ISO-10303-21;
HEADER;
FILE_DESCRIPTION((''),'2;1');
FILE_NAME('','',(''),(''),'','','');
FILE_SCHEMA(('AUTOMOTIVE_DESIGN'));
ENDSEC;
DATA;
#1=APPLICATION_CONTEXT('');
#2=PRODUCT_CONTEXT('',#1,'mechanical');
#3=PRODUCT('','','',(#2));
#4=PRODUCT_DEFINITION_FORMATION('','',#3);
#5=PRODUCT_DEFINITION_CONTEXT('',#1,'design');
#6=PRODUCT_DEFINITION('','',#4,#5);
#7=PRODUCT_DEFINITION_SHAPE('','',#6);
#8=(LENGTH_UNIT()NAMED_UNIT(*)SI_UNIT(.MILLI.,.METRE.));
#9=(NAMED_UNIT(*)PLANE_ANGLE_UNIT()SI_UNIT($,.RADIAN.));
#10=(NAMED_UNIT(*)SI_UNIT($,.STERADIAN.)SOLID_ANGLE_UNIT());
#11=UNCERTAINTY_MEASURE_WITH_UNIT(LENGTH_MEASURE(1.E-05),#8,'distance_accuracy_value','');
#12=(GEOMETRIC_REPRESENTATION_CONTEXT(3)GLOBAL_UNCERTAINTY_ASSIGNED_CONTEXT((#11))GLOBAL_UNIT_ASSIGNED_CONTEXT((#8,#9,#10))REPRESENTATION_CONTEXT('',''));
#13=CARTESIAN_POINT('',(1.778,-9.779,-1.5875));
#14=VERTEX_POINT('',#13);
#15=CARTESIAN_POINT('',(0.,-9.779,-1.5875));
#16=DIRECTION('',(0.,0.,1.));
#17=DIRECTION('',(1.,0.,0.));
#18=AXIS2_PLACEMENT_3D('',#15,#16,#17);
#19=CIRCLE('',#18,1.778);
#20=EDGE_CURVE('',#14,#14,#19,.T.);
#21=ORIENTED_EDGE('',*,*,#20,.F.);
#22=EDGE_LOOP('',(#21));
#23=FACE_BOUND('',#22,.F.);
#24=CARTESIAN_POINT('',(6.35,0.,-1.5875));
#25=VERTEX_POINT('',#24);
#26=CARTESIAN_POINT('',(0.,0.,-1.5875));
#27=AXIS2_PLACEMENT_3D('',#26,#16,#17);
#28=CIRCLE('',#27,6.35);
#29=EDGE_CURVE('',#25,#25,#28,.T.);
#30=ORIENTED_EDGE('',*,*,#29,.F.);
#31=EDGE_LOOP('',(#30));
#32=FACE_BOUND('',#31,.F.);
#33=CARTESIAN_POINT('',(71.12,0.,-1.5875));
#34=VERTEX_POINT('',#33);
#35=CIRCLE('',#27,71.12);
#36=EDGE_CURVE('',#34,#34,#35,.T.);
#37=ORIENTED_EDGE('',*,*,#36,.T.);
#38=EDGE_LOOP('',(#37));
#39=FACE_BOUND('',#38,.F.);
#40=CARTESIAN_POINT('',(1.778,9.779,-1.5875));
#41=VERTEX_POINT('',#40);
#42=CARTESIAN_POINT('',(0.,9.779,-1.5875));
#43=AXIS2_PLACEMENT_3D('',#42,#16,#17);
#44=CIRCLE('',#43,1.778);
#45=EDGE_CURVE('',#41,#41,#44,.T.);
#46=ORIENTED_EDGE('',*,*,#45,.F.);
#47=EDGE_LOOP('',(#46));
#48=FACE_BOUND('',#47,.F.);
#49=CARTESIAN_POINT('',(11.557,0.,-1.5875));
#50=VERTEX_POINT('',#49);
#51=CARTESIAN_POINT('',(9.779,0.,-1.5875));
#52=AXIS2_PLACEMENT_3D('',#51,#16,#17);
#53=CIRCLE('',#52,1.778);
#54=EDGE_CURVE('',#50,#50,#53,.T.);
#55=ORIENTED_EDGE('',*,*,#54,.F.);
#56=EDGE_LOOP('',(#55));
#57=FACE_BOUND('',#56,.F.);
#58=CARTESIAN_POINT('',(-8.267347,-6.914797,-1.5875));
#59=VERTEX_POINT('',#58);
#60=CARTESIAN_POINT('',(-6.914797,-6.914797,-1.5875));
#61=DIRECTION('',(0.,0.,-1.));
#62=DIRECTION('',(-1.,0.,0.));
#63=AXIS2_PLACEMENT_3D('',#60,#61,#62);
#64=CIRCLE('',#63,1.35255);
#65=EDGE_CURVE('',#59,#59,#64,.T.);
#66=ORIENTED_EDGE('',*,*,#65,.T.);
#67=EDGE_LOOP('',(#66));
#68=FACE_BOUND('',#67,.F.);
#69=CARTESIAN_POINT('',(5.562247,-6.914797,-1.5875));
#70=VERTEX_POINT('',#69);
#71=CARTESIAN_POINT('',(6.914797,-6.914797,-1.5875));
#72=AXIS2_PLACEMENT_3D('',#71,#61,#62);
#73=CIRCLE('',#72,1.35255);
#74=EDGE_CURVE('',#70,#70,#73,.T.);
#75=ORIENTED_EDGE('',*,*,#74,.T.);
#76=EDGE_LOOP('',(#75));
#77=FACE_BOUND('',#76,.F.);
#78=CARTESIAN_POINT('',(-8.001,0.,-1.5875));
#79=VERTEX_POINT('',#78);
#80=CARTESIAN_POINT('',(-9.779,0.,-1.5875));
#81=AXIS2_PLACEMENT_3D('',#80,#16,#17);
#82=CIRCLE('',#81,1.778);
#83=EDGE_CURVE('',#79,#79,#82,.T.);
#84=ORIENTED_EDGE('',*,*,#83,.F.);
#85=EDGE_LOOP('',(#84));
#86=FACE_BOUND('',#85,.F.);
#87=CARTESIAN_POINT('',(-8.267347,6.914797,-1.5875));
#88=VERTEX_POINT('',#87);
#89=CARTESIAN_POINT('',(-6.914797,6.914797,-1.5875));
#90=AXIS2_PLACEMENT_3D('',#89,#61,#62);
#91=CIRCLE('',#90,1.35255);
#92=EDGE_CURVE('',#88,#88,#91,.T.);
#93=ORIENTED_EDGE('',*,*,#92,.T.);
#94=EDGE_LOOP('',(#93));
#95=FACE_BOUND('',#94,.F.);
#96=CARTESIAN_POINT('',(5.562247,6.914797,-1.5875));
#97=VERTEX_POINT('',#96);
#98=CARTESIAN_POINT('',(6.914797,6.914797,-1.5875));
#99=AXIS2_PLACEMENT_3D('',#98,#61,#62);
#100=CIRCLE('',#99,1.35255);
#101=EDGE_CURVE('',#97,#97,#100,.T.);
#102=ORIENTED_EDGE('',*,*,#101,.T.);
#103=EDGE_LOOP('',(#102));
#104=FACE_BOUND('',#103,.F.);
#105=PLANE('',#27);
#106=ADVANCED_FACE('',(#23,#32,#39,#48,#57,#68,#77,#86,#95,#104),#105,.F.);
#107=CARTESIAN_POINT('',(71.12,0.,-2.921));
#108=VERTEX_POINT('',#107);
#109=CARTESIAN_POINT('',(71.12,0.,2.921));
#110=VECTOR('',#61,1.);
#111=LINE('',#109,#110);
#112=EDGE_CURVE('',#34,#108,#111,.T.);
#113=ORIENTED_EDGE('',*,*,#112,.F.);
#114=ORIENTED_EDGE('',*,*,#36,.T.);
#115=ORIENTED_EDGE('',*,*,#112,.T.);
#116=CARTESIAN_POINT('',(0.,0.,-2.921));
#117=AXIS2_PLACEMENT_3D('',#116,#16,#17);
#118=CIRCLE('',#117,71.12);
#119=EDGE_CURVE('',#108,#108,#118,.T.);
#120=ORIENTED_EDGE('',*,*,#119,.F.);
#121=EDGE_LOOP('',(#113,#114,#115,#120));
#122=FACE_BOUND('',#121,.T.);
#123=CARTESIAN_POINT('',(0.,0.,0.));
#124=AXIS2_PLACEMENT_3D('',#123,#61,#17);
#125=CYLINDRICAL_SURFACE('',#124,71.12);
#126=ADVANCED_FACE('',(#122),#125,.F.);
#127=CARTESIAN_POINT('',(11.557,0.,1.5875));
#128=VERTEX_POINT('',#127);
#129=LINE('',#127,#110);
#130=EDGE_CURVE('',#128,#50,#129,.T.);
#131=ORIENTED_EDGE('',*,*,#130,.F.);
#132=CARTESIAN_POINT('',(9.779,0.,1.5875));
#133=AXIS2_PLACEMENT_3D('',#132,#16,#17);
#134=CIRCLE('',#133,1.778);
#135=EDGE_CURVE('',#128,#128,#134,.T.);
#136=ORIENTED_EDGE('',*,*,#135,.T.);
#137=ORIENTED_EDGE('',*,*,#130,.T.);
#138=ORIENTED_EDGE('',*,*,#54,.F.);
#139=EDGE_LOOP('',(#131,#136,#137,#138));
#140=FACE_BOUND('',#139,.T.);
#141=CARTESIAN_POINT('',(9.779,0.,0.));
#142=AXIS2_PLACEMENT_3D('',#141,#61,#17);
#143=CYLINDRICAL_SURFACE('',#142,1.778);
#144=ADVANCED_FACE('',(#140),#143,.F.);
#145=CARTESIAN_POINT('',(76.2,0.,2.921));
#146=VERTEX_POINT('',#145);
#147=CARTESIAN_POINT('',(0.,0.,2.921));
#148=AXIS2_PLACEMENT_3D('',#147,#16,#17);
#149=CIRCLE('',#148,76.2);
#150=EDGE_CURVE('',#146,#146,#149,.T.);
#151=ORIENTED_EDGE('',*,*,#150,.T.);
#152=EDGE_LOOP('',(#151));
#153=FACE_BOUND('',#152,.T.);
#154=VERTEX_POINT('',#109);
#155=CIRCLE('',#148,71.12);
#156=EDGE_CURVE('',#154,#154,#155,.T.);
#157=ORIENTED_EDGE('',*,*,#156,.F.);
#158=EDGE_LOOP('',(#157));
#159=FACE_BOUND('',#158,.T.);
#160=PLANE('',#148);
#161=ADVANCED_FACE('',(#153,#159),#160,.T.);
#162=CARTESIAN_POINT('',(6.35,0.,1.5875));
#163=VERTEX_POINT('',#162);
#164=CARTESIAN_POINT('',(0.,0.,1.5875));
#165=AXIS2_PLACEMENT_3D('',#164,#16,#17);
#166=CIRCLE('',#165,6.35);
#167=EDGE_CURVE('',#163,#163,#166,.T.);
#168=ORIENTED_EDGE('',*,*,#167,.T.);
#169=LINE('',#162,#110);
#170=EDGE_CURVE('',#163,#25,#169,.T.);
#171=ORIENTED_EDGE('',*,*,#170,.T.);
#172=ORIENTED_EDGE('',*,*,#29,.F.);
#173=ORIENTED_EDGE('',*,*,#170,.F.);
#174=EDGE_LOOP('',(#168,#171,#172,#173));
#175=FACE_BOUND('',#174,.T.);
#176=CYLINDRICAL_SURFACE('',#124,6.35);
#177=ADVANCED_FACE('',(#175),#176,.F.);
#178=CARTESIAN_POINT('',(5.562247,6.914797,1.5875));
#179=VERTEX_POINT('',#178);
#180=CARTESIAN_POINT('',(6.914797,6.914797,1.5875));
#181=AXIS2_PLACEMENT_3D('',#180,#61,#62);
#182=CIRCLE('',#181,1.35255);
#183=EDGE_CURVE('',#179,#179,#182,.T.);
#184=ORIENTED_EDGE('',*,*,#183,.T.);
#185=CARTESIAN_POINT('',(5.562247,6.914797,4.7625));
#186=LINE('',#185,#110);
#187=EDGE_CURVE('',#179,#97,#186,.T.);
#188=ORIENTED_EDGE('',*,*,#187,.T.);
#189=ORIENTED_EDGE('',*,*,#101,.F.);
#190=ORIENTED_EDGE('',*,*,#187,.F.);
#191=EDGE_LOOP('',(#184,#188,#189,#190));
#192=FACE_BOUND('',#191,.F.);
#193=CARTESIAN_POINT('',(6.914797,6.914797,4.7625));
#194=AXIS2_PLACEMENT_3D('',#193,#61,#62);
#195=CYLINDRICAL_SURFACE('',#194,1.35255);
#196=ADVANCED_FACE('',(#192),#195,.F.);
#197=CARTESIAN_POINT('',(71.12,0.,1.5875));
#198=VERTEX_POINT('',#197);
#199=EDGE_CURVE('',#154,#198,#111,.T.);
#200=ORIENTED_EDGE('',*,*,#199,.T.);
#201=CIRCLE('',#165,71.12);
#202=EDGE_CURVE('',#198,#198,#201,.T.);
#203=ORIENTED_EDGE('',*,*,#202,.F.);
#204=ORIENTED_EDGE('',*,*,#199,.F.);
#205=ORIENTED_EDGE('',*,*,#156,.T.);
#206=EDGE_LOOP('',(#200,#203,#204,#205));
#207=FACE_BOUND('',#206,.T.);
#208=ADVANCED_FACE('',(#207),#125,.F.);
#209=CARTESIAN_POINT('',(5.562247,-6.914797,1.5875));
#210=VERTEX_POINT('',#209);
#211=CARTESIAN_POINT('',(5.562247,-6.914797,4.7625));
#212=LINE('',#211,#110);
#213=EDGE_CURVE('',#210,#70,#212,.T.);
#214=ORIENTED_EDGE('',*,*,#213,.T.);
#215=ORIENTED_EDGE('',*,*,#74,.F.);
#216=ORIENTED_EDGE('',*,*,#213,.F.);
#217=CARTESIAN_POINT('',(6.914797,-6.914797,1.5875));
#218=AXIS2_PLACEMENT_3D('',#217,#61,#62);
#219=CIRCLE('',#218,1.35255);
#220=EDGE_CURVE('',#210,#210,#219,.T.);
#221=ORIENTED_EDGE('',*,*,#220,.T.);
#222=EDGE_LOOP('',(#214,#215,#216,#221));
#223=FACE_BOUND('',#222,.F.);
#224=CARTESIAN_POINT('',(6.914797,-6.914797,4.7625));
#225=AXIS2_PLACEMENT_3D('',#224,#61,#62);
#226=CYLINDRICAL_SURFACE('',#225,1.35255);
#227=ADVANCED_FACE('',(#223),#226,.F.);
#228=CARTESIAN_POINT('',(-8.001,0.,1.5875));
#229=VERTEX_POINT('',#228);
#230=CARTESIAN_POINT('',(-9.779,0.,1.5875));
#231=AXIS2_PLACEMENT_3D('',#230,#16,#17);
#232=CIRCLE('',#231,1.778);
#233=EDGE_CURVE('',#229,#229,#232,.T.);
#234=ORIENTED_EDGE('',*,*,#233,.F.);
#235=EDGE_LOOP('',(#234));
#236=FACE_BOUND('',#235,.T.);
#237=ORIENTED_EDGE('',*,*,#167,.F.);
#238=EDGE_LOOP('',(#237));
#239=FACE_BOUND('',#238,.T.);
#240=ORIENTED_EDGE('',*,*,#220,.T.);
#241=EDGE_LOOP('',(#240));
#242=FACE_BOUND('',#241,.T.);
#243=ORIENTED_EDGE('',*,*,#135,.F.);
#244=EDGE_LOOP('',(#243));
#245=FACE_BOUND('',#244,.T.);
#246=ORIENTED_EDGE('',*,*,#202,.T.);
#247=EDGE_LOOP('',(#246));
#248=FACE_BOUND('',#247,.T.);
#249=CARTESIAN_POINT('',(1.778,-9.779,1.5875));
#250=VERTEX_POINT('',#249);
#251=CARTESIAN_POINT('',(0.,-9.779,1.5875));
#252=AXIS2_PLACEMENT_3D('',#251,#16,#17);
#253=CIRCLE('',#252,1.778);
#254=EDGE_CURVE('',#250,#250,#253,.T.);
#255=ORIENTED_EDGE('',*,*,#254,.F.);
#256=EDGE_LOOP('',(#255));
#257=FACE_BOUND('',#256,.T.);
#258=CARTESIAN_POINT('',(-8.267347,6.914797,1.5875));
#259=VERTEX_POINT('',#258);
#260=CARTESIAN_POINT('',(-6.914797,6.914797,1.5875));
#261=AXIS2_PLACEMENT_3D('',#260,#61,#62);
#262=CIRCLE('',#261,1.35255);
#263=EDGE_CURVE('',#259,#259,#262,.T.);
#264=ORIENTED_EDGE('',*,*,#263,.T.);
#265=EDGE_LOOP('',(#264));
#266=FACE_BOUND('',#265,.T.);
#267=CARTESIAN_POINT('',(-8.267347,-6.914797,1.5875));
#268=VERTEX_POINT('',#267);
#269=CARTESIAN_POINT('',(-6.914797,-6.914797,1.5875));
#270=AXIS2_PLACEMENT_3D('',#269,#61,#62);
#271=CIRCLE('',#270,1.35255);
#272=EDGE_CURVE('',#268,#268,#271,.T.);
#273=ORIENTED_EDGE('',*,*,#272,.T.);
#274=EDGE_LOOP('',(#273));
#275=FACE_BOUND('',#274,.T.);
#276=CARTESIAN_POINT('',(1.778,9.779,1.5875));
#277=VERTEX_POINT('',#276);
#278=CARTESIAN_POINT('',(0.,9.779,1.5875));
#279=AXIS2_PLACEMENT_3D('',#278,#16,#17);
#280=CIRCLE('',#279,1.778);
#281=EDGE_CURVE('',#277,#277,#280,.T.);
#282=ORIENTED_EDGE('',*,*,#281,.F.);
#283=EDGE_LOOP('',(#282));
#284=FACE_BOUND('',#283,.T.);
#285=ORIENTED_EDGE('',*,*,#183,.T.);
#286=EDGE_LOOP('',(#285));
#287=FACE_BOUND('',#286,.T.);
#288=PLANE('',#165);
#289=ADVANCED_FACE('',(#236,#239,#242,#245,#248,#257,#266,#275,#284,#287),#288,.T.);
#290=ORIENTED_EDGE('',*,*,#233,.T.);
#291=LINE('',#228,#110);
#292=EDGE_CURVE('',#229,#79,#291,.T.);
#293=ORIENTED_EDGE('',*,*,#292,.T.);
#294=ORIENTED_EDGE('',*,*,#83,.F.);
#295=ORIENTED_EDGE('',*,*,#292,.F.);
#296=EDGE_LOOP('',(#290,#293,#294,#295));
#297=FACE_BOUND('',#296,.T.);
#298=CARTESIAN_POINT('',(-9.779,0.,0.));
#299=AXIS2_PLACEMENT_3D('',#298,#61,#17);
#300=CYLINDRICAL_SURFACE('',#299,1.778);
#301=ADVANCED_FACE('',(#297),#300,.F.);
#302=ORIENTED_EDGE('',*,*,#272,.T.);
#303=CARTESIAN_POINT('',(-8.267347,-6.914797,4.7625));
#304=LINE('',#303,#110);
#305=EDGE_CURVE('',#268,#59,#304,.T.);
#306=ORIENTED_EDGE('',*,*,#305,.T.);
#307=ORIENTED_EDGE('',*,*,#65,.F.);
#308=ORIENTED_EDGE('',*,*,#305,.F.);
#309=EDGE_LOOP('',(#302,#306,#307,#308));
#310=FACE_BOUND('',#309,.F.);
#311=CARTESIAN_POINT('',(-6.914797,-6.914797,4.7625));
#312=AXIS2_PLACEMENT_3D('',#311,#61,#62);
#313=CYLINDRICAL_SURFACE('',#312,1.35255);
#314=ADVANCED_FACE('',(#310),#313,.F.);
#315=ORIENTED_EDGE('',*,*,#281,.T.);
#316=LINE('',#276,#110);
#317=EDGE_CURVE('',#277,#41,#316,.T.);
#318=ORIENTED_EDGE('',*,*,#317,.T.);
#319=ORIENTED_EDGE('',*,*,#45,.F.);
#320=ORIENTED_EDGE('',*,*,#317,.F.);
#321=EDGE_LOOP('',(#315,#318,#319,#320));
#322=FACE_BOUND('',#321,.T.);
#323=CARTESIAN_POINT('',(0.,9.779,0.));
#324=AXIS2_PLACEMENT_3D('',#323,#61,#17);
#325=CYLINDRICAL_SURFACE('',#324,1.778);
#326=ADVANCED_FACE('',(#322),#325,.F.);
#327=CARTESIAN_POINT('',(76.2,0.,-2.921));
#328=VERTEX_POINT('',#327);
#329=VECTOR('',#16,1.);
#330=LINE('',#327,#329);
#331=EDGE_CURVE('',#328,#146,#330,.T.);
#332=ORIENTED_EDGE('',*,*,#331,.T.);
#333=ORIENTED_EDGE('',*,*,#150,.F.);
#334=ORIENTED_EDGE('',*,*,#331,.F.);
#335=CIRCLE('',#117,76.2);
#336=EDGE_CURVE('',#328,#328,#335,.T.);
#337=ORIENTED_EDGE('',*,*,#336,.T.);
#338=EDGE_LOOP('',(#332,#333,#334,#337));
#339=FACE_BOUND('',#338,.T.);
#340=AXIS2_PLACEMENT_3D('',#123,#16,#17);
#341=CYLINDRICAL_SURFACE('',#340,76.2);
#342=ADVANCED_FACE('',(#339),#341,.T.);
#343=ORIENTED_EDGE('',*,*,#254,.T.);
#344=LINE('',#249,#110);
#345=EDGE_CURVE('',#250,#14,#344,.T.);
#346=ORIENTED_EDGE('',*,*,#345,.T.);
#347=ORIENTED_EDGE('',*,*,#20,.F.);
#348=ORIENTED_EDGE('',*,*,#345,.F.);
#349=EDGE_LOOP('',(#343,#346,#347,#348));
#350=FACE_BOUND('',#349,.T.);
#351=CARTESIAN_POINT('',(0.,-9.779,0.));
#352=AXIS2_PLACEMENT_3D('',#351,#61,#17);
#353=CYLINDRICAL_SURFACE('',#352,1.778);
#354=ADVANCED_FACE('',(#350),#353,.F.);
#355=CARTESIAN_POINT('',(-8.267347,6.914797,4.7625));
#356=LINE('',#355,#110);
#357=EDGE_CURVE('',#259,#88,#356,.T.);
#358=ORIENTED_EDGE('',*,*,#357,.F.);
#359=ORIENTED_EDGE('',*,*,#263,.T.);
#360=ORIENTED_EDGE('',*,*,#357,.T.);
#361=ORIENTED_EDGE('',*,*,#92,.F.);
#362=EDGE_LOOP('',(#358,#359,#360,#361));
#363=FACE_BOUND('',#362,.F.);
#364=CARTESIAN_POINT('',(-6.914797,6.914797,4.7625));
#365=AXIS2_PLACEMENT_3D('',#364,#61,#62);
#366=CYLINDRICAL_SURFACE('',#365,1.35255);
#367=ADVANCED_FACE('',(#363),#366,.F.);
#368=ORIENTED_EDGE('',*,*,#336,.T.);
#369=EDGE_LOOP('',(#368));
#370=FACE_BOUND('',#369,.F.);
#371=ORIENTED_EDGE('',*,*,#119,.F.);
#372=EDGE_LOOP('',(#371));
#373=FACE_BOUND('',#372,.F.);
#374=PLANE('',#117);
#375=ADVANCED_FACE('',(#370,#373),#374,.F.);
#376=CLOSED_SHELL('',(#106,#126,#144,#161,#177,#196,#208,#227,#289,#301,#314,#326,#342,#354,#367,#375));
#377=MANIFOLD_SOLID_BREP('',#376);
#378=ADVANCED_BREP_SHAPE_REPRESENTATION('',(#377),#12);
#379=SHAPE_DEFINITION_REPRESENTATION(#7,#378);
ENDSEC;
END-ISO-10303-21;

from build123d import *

# Parameters (mm, degrees)
SKETCH1_R                 = 76.2
SKETCH1_R_2               = 71.12
BOSS_EXTRUDE1_DEPTH       = 2.921
SKETCH3_R                 = 71.12
SKETCH3_R_2               = 6.35
SKETCH3_R_3               = 1.778
BOSS_EXTRUDE2_DEPTH       = 1.5875
F_6_32_TAPPED_HOLE1_D     = 2.7051
F_6_32_TAPPED_HOLE1_DEPTH = 3.175


with BuildPart() as part:
    # Sketch1 → Boss-Extrude1 (new body, symmetric)
    with BuildSketch(Plane.XY):
        Circle(SKETCH1_R)
        Circle(SKETCH1_R_2, mode=Mode.SUBTRACT)
    extrude(amount=BOSS_EXTRUDE1_DEPTH, both=True)

    # Sketch3 → Boss-Extrude2 (add, symmetric)
    with BuildSketch(Plane.XY):
        Circle(SKETCH3_R)
        Circle(SKETCH3_R_2, mode=Mode.SUBTRACT)
        with Locations((0, 9.779)):
            Circle(SKETCH3_R_3, mode=Mode.SUBTRACT)
        with Locations((9.779, 0)):
            Circle(SKETCH3_R_3, mode=Mode.SUBTRACT)
        with Locations((0, -9.779)):
            Circle(SKETCH3_R_3, mode=Mode.SUBTRACT)
        with Locations((-9.779, 0)):
            Circle(SKETCH3_R_3, mode=Mode.SUBTRACT)
    extrude(amount=BOSS_EXTRUDE2_DEPTH, both=True)

    # #6-32 Tapped Hole1
    with Locations(Plane.XY.offset(1.5875)):
        with Locations((-6.914797213, 6.914797213), (6.914797213, 6.914797213), (6.914797213, -6.914797213), (-6.914797213, -6.914797213)):
            Hole(F_6_32_TAPPED_HOLE1_D / 2, depth=F_6_32_TAPPED_HOLE1_DEPTH)


solid = part.part
